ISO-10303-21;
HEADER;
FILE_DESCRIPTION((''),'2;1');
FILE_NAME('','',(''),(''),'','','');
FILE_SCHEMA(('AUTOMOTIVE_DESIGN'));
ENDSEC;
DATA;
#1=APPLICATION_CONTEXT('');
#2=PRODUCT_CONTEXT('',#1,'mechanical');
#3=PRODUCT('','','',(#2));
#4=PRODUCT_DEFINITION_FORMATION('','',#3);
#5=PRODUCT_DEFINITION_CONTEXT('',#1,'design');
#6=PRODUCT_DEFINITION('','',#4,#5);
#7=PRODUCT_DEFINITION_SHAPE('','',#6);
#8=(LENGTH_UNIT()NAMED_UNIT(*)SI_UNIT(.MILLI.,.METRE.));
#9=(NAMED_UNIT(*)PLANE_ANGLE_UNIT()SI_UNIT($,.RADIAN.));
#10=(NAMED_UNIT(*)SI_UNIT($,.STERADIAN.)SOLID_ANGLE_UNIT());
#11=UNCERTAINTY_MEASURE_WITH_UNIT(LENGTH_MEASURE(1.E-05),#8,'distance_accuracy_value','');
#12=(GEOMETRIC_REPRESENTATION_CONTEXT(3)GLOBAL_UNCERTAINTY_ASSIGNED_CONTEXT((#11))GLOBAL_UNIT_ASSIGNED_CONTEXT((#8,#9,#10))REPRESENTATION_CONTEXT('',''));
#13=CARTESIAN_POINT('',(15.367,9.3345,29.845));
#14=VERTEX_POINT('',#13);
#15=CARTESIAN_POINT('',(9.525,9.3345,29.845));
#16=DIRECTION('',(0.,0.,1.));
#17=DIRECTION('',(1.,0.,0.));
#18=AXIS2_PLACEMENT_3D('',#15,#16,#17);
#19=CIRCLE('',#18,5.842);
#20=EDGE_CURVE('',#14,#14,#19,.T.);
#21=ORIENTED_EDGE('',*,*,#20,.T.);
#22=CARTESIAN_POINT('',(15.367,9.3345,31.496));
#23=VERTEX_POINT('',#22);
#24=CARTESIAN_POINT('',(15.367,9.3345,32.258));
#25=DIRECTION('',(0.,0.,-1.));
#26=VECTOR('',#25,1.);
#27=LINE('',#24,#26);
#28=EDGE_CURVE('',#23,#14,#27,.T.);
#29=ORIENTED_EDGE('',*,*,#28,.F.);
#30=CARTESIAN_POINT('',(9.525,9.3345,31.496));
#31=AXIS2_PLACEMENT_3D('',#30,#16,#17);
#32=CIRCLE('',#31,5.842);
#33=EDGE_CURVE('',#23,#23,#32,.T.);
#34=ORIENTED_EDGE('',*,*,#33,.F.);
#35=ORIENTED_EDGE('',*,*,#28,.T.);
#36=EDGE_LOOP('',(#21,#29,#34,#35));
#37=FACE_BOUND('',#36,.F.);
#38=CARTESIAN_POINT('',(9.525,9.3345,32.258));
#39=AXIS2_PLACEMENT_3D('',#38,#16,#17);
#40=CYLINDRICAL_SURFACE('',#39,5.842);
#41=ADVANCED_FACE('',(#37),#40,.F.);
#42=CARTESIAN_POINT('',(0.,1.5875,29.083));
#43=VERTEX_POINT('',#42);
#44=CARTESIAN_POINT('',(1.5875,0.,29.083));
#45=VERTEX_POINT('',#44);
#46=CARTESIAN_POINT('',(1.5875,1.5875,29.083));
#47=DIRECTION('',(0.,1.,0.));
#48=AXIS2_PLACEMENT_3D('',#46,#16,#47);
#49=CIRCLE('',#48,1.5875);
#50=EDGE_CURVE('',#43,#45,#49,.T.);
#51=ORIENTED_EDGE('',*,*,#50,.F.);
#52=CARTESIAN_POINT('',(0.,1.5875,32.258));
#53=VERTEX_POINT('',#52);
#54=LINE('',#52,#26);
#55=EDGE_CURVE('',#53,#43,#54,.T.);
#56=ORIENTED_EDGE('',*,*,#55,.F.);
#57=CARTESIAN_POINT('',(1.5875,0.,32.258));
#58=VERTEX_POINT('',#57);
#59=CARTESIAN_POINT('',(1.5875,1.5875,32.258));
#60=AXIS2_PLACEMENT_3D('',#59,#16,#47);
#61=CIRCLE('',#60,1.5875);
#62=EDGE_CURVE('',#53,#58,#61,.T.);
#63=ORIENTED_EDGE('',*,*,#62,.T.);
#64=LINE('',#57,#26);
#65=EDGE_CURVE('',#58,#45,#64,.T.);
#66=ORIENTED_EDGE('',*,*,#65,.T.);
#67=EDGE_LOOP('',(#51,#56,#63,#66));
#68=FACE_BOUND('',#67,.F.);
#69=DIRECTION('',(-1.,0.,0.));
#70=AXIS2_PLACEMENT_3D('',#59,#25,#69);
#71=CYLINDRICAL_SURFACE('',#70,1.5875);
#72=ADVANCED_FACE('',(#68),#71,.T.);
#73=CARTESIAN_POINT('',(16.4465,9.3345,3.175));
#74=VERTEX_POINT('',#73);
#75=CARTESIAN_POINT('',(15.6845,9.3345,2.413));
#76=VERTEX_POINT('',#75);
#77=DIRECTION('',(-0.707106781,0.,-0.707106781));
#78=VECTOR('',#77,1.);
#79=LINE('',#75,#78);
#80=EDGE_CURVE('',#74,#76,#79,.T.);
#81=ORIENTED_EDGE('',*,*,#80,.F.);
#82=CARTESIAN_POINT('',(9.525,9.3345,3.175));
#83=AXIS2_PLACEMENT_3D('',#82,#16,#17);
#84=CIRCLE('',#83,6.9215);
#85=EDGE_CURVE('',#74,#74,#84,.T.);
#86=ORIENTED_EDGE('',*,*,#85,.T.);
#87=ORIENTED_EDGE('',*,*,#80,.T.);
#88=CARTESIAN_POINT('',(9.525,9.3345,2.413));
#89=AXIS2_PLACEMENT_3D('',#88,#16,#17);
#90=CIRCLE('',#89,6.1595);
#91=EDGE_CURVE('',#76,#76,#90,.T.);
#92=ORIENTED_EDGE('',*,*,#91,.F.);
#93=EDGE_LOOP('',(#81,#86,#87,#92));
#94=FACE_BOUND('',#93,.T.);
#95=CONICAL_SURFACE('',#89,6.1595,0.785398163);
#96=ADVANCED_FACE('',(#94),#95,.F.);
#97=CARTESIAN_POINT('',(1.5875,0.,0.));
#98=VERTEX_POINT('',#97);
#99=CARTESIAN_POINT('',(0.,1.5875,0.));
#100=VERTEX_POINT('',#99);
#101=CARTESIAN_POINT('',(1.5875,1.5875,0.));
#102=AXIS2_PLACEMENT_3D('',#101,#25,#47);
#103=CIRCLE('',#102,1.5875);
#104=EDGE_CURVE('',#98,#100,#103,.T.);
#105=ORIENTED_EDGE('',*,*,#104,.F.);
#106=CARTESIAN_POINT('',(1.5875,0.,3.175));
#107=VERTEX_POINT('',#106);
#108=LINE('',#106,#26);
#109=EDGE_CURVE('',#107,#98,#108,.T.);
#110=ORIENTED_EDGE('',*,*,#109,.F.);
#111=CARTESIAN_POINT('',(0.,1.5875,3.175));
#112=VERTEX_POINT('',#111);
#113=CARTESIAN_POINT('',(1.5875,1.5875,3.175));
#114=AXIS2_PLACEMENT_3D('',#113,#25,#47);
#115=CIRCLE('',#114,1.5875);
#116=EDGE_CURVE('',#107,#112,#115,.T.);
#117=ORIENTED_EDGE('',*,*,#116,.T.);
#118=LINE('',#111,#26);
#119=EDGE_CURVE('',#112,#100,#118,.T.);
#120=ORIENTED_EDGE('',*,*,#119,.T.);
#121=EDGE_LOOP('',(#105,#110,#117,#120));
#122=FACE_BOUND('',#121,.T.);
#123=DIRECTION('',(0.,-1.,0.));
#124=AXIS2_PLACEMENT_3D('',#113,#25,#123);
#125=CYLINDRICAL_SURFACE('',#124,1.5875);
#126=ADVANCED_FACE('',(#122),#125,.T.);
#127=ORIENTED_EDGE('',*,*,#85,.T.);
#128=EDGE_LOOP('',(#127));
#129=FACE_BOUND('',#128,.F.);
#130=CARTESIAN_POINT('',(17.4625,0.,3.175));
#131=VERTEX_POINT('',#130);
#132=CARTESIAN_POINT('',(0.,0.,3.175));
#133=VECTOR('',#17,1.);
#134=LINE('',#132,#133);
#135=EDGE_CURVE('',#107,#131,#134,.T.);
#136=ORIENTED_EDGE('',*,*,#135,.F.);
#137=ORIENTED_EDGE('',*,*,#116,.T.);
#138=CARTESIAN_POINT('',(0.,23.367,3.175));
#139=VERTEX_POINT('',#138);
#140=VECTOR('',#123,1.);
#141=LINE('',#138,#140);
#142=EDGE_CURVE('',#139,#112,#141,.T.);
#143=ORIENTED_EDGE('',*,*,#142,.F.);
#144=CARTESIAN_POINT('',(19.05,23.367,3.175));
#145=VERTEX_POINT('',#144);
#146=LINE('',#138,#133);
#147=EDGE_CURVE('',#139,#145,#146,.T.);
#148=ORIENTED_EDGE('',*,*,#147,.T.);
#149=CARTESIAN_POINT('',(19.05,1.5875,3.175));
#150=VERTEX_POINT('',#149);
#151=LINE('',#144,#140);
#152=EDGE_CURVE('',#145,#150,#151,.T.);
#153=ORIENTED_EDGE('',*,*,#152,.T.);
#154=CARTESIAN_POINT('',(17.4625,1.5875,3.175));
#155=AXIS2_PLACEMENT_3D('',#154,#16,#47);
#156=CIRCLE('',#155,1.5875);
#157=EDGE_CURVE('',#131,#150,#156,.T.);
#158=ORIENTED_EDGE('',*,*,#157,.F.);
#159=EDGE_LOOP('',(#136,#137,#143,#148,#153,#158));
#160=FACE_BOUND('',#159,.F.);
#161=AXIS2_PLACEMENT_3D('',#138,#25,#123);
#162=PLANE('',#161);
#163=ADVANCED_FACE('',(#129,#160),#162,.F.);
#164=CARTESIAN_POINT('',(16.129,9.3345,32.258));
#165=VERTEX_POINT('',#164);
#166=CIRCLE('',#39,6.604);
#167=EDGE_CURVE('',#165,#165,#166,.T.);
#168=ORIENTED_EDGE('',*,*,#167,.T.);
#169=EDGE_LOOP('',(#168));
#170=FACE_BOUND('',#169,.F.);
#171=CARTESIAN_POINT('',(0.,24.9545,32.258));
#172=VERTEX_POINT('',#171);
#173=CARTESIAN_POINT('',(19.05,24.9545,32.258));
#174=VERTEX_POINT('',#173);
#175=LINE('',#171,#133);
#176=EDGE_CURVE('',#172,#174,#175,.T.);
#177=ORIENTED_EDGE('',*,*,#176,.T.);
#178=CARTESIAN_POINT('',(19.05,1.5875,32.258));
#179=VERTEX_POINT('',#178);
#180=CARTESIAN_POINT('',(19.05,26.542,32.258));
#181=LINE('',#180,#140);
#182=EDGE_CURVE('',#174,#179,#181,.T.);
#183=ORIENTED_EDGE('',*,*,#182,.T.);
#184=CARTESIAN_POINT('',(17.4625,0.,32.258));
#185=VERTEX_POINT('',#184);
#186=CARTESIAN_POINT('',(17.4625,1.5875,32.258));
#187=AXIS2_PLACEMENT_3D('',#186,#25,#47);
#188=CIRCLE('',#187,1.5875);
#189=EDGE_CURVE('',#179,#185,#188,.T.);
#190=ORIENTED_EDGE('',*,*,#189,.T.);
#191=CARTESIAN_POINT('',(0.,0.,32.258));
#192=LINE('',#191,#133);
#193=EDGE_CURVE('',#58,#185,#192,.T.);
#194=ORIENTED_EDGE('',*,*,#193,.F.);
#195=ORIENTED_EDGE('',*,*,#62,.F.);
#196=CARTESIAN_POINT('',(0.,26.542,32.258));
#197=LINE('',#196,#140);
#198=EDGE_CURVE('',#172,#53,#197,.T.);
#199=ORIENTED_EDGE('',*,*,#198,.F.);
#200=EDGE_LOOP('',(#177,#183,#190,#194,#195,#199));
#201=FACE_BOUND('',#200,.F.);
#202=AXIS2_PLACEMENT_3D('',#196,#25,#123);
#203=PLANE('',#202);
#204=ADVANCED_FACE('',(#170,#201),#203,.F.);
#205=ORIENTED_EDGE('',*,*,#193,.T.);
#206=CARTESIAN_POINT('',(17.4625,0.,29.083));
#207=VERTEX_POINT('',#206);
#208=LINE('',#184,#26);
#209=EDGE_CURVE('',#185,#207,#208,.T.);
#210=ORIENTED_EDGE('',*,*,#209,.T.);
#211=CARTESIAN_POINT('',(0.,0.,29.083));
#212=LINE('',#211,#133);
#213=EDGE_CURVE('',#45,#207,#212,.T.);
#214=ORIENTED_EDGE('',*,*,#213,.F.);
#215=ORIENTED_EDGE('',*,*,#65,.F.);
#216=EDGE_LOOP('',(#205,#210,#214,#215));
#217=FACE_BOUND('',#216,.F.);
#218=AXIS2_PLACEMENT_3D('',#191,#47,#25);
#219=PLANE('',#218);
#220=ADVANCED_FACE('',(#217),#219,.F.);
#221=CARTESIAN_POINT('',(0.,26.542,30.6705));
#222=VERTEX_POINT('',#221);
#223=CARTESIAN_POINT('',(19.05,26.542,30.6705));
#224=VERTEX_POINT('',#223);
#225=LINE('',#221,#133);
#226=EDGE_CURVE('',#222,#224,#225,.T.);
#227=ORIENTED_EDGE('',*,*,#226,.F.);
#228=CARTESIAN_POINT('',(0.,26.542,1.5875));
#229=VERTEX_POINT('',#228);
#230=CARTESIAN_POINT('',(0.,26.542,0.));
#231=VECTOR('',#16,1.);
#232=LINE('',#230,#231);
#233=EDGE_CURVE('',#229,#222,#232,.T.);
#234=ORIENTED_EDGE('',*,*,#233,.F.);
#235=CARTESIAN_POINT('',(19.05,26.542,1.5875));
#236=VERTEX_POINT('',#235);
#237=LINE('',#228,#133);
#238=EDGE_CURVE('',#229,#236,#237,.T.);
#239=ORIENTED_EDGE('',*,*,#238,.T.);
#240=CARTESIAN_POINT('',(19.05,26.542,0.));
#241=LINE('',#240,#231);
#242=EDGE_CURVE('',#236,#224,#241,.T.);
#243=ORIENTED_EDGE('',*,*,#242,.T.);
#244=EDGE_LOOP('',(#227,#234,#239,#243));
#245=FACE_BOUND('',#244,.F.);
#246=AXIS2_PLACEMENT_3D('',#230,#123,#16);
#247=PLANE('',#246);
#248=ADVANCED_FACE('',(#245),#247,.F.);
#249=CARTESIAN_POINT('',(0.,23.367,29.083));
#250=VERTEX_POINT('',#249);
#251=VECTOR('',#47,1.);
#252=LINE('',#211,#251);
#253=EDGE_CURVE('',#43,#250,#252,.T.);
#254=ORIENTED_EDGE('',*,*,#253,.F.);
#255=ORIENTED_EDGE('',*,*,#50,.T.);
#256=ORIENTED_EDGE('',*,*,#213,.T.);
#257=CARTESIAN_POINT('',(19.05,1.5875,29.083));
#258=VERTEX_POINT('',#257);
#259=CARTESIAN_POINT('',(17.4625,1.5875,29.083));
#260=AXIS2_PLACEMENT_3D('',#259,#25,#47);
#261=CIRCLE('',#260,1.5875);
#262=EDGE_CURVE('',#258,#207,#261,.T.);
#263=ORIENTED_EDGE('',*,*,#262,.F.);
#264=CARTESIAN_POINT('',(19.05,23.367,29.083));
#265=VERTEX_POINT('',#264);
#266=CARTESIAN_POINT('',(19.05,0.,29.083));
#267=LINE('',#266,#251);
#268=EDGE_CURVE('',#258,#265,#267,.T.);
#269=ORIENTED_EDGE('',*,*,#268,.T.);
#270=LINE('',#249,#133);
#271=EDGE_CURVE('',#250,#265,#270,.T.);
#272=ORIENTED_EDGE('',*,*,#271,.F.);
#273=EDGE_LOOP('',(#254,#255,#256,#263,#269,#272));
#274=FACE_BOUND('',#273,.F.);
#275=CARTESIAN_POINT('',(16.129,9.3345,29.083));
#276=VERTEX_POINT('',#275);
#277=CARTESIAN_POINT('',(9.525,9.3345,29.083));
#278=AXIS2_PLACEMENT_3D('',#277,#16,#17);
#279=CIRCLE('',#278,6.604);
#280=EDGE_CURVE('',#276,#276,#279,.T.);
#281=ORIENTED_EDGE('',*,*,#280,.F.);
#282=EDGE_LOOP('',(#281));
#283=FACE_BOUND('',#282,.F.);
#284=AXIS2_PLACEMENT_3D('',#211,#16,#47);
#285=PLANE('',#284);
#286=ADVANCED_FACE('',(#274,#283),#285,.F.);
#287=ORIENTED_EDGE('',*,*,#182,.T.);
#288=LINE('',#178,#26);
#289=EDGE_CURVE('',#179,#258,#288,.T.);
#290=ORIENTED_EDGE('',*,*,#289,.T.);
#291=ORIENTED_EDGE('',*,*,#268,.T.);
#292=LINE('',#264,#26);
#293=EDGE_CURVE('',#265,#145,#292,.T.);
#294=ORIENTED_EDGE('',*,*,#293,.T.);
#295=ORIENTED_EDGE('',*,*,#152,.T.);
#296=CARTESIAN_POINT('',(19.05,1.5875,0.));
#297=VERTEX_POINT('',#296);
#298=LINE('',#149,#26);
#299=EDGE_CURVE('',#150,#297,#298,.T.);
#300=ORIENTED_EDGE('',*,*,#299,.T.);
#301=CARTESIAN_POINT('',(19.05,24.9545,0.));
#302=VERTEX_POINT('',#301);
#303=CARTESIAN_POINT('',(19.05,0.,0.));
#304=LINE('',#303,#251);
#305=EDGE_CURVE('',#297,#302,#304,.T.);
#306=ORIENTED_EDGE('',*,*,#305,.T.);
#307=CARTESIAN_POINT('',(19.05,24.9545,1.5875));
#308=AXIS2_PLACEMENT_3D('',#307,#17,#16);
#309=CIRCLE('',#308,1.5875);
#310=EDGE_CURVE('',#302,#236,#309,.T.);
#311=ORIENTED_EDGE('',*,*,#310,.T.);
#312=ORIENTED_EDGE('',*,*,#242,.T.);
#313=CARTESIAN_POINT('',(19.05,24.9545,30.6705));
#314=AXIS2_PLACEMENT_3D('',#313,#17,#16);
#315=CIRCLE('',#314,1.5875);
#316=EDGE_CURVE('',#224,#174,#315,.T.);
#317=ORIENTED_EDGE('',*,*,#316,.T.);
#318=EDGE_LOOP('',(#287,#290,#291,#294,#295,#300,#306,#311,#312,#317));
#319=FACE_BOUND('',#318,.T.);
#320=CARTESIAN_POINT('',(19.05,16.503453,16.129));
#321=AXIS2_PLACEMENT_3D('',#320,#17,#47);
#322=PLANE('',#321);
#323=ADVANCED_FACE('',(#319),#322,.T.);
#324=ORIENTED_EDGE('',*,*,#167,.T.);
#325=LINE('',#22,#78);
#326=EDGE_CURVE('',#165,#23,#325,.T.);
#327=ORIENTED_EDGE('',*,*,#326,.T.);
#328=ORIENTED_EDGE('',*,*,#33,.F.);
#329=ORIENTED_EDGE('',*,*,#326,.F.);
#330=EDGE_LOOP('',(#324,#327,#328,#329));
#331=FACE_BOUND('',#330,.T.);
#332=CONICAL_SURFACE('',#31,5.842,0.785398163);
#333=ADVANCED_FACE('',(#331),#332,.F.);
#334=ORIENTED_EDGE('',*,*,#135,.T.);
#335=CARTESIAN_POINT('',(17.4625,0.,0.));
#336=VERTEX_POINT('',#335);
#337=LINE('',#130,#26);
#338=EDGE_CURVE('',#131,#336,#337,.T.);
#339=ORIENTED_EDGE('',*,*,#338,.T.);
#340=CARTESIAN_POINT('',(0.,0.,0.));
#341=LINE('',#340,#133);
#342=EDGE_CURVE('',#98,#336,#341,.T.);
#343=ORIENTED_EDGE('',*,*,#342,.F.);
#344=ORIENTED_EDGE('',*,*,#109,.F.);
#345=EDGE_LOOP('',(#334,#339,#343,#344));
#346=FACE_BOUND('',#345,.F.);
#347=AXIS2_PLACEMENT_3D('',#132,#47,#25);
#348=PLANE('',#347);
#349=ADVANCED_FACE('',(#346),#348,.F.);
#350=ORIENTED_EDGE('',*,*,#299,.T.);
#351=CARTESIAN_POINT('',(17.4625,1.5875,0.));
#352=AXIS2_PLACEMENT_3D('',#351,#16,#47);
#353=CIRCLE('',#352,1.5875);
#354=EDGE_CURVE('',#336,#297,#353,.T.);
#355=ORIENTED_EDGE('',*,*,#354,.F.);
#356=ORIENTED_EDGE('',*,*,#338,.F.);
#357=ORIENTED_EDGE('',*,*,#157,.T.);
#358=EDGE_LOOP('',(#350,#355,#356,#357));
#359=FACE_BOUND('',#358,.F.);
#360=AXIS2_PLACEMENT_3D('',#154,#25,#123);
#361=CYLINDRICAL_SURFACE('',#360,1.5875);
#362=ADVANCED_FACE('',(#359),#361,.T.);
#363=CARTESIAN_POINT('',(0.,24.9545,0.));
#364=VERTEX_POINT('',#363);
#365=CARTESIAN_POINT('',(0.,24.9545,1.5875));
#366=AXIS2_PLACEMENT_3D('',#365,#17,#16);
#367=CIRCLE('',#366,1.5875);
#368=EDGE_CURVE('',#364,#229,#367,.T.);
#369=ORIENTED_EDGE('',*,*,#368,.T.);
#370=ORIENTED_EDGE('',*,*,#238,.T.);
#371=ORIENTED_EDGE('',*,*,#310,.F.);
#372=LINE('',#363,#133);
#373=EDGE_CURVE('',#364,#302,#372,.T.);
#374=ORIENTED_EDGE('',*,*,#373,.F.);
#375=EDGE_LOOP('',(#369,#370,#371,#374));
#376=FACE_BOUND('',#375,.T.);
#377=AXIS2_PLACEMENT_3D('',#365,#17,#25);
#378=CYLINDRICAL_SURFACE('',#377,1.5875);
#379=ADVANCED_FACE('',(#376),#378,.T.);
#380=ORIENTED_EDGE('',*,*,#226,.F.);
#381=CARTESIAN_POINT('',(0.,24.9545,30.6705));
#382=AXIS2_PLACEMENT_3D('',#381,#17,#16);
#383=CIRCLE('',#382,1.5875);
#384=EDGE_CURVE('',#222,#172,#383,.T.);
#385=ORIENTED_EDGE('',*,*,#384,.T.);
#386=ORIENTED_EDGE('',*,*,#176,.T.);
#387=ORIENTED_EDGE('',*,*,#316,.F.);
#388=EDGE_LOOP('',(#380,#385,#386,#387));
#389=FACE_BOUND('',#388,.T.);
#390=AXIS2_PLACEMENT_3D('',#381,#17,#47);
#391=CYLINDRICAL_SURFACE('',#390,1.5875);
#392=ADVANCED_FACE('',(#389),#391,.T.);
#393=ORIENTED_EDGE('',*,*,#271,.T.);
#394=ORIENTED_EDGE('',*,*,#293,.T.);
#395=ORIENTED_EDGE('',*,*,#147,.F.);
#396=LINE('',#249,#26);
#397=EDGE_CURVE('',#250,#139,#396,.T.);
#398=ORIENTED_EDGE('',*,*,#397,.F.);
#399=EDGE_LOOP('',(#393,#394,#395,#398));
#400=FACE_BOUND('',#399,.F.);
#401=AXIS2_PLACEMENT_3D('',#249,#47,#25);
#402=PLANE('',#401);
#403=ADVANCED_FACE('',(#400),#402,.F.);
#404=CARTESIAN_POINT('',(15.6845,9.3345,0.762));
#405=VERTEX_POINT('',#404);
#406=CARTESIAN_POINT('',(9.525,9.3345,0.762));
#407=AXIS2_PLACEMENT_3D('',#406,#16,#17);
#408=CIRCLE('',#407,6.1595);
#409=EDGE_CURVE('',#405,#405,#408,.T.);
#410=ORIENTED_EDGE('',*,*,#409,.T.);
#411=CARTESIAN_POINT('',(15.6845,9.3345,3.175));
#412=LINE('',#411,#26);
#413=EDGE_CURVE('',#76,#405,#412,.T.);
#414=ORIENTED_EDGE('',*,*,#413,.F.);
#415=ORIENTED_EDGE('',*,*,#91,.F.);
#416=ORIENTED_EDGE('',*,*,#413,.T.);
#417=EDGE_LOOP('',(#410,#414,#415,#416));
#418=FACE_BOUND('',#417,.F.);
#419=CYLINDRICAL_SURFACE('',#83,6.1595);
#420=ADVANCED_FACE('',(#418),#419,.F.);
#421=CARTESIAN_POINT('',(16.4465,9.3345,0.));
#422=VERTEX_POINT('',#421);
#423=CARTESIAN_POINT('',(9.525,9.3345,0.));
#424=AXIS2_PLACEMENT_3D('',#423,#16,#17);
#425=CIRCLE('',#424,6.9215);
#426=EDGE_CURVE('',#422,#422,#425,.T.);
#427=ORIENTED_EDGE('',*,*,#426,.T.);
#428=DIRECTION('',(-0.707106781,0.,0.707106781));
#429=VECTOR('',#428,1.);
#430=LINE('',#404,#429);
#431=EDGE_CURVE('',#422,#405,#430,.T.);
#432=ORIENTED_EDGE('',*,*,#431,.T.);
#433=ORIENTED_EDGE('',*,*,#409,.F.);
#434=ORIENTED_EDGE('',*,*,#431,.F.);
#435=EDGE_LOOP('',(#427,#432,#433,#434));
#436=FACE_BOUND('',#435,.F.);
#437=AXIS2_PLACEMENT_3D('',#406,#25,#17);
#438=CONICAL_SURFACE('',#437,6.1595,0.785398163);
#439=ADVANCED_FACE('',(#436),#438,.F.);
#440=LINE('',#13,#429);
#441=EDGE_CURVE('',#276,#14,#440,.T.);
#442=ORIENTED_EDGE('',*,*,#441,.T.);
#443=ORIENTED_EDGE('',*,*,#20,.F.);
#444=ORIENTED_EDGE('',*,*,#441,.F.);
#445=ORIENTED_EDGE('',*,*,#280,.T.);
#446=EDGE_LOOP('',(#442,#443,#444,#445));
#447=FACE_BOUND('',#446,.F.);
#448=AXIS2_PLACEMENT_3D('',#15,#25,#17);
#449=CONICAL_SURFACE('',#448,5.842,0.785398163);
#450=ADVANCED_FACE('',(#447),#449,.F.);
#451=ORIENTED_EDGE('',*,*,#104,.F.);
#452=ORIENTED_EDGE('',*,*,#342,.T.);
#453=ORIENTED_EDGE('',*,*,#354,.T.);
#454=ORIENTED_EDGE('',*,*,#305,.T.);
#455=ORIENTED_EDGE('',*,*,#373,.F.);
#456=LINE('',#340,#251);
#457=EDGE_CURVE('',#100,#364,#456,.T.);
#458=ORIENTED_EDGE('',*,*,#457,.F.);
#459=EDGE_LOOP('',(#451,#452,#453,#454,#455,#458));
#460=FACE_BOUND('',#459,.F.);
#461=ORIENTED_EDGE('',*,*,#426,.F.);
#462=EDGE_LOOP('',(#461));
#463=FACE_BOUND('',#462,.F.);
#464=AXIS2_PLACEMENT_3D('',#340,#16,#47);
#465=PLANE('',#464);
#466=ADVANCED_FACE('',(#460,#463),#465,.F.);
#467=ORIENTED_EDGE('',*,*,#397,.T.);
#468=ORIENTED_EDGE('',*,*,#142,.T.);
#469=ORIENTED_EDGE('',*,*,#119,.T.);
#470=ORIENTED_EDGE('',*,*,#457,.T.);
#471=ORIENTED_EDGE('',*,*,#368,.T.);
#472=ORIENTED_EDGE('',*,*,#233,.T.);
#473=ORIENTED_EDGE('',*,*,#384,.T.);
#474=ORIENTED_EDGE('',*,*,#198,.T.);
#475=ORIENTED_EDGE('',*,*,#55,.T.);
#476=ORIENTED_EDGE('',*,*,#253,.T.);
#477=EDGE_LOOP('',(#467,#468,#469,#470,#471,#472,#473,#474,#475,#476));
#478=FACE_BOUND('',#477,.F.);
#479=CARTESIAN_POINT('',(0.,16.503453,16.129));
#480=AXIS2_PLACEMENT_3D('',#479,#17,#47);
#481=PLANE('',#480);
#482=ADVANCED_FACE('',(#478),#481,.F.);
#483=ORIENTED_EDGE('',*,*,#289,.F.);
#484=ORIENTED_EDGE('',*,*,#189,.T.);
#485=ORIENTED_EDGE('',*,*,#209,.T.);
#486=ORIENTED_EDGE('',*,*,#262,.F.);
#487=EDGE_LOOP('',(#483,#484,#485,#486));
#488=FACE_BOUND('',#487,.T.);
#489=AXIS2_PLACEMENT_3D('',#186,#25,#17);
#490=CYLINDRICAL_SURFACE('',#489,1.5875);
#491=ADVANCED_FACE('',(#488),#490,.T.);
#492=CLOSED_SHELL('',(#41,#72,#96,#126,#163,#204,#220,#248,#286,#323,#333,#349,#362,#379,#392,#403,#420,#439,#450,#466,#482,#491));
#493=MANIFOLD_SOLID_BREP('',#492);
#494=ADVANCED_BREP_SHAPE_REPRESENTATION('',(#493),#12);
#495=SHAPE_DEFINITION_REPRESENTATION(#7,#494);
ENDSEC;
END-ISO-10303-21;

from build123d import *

# Parameters (mm, degrees)
F1_DEPTH = 19.05
F2_R     = 6.1595
F3_DEPTH = 25.4
F4_R     = 5.842
F5_DEPTH = 3.175
F6_R     = 1.5875
F7_SIZE  = 0.762


with BuildPart() as f1:
    # F0 (on Right) → F1 (new body)
    with BuildSketch(Plane.YZ):
        Polygon((0, 3.175), (0, 0), (26.542, 0), (26.542, 32.258), (0, 32.258), (0, 29.083), (23.367, 29.083), (23.367, 3.175), align=None)
    extrude(amount=F1_DEPTH)

    # F2 (on face) → F3 (cut)
    with BuildSketch(Plane.XY.offset(3.175)):
        with Locations((9.525, 9.3345)):
            Circle(F2_R)
    extrude(amount=-F3_DEPTH, mode=Mode.SUBTRACT)

    # F4 (on face) → F5 (cut, through all)
    with BuildSketch(Plane.XY.offset(32.258)):
        with Locations((9.525, 9.3345)):
            Circle(F4_R)
    extrude(amount=-F5_DEPTH, mode=Mode.SUBTRACT)

    # F6
    f6_edges = [f1.edges().sort_by_distance(p)[0] for p in [
        (19.05, 0, 30.6705),
        (0, 0, 30.6705),
        (0, 0, 1.5875),
        (19.05, 0, 1.5875),
        (9.525, 26.542, 32.258),
        (9.525, 26.542, 0),
    ]]
    fillet(f6_edges, radius=F6_R)

    # F7
    f7_edges = [f1.edges().sort_by_distance(p)[0] for p in [
        (3.3655, 9.3345, 0),
        (3.683, 9.3345, 29.083),
        (3.683, 9.3345, 32.258),
        (3.3655, 9.3345, 3.175),
    ]]
    chamfer(f7_edges, length=F7_SIZE)


solid = f1.part
